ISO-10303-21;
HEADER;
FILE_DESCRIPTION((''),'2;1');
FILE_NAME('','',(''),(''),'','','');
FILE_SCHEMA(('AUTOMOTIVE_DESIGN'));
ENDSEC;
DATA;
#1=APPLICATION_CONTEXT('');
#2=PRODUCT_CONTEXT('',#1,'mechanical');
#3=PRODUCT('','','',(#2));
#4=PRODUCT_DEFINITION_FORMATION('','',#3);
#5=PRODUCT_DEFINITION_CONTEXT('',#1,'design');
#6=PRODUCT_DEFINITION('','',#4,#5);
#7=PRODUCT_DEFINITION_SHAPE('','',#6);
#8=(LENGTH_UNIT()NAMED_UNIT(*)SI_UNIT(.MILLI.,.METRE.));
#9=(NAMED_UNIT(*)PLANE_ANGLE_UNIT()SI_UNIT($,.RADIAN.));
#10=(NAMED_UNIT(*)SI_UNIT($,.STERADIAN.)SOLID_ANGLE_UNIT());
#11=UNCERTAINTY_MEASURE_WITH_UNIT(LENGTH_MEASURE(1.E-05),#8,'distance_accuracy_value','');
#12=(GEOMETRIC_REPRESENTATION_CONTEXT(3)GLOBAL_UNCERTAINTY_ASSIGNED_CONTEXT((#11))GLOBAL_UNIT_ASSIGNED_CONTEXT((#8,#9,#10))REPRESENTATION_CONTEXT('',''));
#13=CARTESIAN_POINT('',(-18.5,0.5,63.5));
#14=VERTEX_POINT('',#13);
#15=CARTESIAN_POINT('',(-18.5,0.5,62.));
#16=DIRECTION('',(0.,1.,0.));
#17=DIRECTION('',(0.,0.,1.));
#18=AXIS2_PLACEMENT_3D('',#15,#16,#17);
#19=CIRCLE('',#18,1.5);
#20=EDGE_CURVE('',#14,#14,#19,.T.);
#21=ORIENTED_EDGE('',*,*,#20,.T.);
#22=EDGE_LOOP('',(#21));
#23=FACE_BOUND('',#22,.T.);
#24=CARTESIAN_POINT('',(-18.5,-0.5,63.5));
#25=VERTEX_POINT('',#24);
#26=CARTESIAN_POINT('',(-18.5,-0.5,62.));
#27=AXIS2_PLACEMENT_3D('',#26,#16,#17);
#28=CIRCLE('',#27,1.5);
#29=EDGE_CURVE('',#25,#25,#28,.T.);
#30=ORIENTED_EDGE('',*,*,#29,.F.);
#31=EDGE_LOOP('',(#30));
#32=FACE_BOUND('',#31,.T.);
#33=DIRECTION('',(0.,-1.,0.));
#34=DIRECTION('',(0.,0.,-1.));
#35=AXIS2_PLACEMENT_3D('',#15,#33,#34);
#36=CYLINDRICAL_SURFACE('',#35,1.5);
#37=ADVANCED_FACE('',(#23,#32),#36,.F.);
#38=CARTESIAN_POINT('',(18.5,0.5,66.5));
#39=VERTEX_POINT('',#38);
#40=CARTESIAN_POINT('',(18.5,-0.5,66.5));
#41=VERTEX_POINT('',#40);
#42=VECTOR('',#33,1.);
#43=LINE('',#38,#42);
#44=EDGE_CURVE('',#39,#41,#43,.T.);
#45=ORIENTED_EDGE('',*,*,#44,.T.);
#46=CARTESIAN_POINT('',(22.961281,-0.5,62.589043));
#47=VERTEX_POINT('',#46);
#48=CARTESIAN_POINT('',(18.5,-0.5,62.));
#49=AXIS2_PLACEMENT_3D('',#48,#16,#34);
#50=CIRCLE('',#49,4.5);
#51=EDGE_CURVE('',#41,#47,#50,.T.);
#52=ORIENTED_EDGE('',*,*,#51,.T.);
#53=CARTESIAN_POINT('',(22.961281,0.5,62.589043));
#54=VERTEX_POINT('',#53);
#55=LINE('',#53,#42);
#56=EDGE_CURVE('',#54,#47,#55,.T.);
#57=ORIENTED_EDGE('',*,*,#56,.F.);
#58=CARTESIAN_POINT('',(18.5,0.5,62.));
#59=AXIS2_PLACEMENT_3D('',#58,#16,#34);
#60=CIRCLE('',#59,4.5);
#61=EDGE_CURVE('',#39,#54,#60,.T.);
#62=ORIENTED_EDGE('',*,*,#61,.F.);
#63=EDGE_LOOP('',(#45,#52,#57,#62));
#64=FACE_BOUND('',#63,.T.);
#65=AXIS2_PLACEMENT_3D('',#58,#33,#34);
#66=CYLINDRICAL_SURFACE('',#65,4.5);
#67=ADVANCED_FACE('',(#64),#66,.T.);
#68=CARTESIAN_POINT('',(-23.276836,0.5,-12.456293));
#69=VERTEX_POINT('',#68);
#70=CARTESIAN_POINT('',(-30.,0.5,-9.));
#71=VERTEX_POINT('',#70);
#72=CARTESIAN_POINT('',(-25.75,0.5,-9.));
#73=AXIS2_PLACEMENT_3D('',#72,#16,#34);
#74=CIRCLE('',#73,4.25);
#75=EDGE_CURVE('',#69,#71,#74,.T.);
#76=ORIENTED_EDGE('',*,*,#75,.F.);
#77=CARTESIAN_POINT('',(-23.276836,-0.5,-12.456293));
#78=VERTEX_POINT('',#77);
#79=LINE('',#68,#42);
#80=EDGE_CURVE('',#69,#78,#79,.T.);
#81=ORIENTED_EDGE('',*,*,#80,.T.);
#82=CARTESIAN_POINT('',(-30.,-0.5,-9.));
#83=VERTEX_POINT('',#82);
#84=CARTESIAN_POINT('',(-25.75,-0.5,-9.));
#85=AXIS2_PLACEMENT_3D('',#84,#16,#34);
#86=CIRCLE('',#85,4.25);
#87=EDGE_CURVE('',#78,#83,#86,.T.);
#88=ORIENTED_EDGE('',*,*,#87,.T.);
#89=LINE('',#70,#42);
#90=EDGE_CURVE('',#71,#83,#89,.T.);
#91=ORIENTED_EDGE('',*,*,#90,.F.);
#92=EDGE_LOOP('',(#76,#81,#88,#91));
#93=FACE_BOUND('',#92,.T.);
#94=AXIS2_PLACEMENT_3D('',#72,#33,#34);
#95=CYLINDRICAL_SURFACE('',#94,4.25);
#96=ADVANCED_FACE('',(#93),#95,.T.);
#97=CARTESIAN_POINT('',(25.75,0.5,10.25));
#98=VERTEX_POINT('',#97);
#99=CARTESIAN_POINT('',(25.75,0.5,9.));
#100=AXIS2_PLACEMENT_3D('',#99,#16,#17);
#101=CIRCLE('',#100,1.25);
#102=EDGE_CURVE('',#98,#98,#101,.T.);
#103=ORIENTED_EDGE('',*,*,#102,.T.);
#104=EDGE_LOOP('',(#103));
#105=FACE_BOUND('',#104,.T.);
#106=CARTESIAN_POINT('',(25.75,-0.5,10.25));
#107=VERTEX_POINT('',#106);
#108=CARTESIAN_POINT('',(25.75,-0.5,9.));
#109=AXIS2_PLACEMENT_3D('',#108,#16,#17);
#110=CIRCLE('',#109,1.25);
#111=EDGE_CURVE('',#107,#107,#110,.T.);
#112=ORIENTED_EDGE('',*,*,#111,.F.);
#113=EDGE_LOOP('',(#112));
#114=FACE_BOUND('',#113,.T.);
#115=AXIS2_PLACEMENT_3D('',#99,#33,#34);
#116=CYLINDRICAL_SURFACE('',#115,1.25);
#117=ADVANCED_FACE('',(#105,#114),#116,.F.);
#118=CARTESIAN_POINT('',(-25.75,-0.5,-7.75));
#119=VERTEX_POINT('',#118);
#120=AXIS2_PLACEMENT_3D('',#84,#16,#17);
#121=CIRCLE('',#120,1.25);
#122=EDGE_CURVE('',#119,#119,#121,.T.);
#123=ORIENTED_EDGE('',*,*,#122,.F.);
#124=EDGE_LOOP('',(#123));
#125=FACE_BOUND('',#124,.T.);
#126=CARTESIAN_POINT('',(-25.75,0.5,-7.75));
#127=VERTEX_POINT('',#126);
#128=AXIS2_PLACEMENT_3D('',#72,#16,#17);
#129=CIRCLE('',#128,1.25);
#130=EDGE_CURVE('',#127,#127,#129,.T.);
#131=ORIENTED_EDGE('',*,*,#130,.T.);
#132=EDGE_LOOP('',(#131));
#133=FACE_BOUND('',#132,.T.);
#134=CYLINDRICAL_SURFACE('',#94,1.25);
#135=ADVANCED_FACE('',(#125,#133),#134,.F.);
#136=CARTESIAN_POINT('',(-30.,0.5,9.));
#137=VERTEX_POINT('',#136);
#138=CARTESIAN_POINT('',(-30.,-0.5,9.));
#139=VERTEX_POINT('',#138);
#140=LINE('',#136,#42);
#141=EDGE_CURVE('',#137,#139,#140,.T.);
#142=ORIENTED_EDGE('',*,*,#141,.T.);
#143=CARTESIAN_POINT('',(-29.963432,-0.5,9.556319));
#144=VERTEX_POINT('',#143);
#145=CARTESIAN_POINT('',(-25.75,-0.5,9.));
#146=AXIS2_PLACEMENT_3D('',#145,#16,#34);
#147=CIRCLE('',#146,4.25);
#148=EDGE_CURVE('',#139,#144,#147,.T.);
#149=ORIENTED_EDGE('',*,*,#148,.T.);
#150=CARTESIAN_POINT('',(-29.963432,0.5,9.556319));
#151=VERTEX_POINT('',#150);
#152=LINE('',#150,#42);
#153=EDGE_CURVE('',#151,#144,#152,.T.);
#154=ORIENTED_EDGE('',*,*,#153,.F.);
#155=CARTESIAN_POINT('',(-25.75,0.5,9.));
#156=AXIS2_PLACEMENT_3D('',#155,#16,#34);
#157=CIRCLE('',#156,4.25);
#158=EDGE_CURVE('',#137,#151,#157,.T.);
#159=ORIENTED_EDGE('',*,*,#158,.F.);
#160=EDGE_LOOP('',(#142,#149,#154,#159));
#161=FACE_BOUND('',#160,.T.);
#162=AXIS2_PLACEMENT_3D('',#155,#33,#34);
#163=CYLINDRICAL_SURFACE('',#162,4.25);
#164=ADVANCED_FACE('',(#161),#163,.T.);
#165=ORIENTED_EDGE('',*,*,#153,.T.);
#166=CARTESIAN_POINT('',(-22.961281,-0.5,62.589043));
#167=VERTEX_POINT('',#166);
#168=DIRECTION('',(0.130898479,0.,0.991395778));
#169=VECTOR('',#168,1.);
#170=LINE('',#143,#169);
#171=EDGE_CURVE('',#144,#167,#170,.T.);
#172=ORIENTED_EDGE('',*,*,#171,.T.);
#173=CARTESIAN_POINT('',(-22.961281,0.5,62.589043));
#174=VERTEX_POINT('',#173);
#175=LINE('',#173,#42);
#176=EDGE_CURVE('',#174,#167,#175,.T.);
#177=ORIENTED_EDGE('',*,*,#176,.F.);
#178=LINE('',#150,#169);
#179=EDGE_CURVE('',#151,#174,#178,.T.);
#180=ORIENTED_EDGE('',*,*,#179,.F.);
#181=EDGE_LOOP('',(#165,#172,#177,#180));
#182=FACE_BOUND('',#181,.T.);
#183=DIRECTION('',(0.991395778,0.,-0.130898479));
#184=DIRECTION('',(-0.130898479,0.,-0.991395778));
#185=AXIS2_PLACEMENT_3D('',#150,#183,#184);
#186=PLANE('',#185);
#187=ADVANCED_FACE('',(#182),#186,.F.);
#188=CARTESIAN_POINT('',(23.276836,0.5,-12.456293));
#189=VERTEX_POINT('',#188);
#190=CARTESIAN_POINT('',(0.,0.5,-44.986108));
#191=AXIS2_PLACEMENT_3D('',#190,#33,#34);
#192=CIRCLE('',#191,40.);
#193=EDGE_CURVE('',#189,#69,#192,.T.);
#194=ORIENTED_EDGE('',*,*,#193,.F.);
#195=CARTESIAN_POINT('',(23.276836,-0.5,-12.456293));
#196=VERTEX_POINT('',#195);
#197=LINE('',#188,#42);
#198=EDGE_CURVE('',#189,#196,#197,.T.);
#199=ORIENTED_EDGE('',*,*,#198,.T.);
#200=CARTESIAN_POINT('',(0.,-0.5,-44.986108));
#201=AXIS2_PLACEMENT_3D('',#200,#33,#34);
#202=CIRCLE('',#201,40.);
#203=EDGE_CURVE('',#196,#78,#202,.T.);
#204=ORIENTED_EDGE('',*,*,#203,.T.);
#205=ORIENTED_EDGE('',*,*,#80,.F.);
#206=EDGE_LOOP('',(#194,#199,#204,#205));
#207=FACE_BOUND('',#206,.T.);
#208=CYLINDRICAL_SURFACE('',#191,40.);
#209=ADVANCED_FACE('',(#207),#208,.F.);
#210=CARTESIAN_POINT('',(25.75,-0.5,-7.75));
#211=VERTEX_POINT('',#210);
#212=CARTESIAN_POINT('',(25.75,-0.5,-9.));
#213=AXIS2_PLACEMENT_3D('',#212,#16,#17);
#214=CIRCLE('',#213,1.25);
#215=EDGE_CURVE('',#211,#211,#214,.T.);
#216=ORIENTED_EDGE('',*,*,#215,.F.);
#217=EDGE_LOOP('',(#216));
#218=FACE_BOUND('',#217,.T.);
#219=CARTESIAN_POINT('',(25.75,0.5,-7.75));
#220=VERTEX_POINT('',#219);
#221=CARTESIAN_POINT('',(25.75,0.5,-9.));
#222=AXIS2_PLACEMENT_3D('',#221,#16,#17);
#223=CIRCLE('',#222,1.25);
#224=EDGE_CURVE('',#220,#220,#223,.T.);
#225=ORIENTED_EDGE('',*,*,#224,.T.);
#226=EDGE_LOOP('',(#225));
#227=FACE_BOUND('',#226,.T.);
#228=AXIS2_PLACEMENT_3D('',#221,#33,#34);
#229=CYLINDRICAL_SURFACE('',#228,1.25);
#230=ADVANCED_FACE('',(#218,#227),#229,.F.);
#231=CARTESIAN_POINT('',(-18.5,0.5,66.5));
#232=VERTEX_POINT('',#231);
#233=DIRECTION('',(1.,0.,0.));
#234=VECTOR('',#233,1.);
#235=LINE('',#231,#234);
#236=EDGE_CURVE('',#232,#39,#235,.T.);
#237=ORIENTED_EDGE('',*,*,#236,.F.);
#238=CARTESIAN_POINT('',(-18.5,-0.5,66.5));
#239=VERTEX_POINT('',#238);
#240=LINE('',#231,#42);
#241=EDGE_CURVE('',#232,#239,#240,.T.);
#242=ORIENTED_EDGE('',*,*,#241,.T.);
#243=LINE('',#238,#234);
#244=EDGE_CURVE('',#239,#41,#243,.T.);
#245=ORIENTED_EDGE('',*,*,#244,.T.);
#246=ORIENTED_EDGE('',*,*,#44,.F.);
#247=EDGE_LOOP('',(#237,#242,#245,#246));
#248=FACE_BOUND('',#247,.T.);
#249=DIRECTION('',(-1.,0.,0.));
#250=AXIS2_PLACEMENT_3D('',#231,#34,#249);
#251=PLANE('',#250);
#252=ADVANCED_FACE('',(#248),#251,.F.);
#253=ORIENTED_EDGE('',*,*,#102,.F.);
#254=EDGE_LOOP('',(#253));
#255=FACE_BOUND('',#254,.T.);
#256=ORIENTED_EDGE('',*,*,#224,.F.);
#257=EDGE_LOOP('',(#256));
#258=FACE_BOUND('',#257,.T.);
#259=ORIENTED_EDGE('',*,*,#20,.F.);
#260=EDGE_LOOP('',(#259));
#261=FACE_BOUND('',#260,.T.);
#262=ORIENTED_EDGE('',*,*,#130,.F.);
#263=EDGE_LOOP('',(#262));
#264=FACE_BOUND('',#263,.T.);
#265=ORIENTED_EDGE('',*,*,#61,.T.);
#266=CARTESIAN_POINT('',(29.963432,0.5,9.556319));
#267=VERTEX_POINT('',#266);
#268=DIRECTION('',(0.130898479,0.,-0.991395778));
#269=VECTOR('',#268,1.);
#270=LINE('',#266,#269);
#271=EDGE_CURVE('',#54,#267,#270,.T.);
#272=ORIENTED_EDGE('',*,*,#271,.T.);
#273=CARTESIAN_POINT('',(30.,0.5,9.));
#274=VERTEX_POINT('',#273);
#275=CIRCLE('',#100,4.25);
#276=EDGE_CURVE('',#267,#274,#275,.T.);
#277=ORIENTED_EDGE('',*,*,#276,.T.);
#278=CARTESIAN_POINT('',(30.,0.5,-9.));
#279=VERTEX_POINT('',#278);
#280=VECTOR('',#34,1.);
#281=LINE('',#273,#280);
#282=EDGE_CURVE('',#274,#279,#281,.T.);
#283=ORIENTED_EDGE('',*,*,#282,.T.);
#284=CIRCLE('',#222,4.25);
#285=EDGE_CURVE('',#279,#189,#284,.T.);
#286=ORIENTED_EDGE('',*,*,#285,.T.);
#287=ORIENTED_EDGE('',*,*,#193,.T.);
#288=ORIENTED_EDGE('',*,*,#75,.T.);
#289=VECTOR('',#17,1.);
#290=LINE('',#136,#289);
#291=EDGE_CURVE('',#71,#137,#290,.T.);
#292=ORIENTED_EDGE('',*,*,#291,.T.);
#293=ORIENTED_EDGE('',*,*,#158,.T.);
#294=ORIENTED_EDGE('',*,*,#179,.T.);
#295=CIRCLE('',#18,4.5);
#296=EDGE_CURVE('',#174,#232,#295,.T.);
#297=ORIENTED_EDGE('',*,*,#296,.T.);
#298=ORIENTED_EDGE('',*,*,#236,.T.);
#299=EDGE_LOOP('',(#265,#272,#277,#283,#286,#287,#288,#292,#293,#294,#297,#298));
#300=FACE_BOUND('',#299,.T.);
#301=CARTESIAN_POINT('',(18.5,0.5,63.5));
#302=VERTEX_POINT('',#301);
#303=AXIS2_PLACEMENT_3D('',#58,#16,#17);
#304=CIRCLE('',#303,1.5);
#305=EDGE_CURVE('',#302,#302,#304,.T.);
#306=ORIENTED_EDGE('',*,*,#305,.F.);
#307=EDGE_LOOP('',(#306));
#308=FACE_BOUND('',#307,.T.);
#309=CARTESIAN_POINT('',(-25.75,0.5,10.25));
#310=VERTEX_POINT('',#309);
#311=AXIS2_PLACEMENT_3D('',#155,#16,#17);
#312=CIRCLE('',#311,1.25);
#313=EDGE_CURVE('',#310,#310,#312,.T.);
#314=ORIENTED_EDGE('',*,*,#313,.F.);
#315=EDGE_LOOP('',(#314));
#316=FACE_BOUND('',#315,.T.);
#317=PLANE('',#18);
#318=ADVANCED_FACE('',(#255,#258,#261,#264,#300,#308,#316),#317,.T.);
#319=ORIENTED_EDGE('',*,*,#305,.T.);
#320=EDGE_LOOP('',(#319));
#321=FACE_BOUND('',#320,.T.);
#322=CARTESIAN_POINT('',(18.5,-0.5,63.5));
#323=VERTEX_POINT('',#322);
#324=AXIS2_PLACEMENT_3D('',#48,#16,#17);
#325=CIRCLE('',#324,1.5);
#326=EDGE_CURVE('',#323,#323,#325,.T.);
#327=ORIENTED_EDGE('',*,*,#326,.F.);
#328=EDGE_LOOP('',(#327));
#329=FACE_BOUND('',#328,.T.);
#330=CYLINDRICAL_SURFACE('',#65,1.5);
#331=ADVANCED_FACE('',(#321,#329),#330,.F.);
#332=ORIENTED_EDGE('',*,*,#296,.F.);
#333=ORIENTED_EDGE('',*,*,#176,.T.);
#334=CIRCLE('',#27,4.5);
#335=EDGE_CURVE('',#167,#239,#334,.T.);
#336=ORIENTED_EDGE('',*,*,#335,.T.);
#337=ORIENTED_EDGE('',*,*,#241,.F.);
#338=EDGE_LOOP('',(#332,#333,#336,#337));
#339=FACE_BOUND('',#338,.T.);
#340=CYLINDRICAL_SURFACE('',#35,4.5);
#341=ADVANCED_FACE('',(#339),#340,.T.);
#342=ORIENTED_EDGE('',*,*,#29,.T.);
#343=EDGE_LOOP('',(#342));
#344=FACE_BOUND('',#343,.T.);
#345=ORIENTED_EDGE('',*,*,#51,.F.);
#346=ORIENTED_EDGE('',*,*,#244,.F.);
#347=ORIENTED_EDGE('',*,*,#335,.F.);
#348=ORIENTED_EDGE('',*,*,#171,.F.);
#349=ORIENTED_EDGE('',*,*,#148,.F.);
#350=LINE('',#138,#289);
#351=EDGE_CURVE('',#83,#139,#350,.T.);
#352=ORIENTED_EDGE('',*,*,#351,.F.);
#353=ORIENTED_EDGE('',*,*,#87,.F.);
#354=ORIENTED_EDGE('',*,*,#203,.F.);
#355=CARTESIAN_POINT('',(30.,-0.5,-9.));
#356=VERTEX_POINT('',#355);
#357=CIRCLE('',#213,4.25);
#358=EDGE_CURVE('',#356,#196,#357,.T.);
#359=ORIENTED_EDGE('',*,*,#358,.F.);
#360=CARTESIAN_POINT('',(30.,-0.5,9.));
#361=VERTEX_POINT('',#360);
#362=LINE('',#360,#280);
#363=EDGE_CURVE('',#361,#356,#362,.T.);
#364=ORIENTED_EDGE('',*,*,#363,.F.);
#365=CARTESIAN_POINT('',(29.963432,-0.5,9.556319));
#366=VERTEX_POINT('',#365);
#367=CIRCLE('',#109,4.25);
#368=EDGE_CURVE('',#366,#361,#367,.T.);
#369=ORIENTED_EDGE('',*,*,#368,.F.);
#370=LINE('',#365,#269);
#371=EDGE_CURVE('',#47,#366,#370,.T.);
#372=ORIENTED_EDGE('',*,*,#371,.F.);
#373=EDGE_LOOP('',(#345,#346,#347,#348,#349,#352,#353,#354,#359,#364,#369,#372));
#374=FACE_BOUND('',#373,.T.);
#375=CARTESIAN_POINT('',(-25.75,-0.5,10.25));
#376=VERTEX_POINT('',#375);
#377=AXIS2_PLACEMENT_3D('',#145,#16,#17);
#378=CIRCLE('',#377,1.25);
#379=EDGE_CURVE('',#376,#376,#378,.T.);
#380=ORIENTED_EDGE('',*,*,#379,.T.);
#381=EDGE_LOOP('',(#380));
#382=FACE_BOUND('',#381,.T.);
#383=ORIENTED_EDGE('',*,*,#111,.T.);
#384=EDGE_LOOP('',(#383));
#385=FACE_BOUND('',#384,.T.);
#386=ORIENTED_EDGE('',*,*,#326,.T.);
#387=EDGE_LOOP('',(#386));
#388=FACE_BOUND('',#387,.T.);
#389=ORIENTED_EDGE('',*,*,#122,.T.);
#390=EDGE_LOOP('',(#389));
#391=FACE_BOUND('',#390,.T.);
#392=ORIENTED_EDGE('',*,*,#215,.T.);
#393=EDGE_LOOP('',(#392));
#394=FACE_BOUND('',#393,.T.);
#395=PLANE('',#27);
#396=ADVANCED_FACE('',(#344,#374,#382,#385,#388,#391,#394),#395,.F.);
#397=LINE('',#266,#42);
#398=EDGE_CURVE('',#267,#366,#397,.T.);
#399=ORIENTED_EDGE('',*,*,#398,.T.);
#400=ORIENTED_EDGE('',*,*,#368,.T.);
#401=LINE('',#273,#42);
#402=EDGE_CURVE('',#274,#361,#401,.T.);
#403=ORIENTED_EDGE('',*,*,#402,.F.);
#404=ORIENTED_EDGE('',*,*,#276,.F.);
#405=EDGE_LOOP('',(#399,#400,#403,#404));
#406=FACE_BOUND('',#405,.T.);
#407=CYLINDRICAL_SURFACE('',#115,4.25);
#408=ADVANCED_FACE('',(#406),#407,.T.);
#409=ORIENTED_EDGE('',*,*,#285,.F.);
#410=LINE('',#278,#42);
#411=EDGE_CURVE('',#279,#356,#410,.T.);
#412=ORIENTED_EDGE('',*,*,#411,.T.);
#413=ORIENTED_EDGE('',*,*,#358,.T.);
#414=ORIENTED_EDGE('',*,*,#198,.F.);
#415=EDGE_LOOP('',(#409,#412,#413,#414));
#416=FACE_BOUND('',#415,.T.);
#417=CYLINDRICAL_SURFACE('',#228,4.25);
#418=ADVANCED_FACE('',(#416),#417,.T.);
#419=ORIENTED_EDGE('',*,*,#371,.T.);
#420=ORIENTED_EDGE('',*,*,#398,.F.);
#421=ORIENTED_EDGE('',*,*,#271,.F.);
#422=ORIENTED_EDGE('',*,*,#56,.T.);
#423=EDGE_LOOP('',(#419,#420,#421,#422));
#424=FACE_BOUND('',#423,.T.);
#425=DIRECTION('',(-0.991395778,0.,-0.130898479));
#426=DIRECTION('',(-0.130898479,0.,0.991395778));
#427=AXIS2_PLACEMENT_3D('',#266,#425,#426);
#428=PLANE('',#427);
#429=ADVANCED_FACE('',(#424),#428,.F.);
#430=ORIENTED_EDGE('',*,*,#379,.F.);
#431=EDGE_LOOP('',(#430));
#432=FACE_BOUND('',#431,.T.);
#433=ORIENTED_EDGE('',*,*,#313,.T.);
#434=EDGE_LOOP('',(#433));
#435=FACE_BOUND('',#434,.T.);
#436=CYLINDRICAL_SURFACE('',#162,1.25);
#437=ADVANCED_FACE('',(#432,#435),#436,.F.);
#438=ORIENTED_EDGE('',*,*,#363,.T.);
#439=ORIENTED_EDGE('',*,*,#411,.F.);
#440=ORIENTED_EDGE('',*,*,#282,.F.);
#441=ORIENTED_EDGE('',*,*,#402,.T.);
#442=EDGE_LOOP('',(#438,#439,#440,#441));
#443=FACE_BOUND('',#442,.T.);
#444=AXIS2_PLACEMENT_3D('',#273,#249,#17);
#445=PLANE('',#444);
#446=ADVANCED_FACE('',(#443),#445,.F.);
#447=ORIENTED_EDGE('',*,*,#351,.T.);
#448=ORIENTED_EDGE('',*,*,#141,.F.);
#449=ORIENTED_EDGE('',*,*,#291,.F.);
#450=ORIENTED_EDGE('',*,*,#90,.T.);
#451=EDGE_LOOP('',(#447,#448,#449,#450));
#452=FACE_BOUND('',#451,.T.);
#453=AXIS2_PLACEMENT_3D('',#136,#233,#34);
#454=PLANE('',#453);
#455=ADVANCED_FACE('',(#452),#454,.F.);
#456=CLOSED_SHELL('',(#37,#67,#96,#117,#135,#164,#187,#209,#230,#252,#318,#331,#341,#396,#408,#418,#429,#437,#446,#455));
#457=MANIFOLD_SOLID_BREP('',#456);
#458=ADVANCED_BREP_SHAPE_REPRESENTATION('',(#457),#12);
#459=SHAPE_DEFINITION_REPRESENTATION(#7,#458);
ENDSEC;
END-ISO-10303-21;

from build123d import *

# Parameters (mm, degrees)
SKICA1_R                = 1.25
SKICA1_R_2              = 1.5
P_IDAT_VYSUNUT_M1_DEPTH = 0.5


with BuildPart() as part:
    # Skica1 → Přidat vysunutím1 (new, symmetric)
    with BuildSketch(Plane(origin=(0, 0, 0), x_dir=(1, 0, 0), z_dir=(0, 1, 0))):
        with BuildLine():
            Line((-29.963432056, -9.556318536), (-22.961281, -62.589043156))
            ThreePointArc((-22.961281, -62.589043156), (-21.466420891, -65.383836152), (-18.5, -66.5))
            Line((-18.5, -66.5), (18.5, -66.5))
            ThreePointArc((18.5, -66.5), (21.466420891, -65.383836152), (22.961281, -62.589043156))
            Line((22.961281, -62.589043156), (29.963432056, -9.556318536))
            ThreePointArc((29.963432056, -9.556318536), (29.99084816, -9.278759542), (30, -9))
            Line((30, -9), (30, 9))
            ThreePointArc((30, 9), (27.693135825, 12.77977819), (23.276836158, 12.4562929))
            ThreePointArc((23.276836158, 12.4562929), (0, 4.986108431), (-23.276836158, 12.4562929))
            ThreePointArc((-23.276836158, 12.4562929), (-27.693135825, 12.77977819), (-30, 9))
            Line((-30, 9), (-30, -9))
            ThreePointArc((-30, -9), (-29.99084816, -9.278759542), (-29.963432056, -9.556318536))
        make_face()
        with Locations(Location((-25.75, 9, 0), (0, 0, 270))):
            Circle(SKICA1_R, mode=Mode.SUBTRACT)
        with Locations(Location((25.75, 9, 0), (0, 0, 270))):
            Circle(SKICA1_R, mode=Mode.SUBTRACT)
        with Locations(Location((-25.75, -9, 0), (0, 0, 270))):
            Circle(SKICA1_R, mode=Mode.SUBTRACT)
        with Locations(Location((25.75, -9, 0), (0, 0, 270))):
            Circle(SKICA1_R, mode=Mode.SUBTRACT)
        with Locations(Location((-18.5, -62, 0), (0, 0, 270))):
            Circle(SKICA1_R_2, mode=Mode.SUBTRACT)
        with Locations(Location((18.5, -62, 0), (0, 0, 270))):
            Circle(SKICA1_R_2, mode=Mode.SUBTRACT)
    extrude(amount=P_IDAT_VYSUNUT_M1_DEPTH, both=True)


solid = part.part
